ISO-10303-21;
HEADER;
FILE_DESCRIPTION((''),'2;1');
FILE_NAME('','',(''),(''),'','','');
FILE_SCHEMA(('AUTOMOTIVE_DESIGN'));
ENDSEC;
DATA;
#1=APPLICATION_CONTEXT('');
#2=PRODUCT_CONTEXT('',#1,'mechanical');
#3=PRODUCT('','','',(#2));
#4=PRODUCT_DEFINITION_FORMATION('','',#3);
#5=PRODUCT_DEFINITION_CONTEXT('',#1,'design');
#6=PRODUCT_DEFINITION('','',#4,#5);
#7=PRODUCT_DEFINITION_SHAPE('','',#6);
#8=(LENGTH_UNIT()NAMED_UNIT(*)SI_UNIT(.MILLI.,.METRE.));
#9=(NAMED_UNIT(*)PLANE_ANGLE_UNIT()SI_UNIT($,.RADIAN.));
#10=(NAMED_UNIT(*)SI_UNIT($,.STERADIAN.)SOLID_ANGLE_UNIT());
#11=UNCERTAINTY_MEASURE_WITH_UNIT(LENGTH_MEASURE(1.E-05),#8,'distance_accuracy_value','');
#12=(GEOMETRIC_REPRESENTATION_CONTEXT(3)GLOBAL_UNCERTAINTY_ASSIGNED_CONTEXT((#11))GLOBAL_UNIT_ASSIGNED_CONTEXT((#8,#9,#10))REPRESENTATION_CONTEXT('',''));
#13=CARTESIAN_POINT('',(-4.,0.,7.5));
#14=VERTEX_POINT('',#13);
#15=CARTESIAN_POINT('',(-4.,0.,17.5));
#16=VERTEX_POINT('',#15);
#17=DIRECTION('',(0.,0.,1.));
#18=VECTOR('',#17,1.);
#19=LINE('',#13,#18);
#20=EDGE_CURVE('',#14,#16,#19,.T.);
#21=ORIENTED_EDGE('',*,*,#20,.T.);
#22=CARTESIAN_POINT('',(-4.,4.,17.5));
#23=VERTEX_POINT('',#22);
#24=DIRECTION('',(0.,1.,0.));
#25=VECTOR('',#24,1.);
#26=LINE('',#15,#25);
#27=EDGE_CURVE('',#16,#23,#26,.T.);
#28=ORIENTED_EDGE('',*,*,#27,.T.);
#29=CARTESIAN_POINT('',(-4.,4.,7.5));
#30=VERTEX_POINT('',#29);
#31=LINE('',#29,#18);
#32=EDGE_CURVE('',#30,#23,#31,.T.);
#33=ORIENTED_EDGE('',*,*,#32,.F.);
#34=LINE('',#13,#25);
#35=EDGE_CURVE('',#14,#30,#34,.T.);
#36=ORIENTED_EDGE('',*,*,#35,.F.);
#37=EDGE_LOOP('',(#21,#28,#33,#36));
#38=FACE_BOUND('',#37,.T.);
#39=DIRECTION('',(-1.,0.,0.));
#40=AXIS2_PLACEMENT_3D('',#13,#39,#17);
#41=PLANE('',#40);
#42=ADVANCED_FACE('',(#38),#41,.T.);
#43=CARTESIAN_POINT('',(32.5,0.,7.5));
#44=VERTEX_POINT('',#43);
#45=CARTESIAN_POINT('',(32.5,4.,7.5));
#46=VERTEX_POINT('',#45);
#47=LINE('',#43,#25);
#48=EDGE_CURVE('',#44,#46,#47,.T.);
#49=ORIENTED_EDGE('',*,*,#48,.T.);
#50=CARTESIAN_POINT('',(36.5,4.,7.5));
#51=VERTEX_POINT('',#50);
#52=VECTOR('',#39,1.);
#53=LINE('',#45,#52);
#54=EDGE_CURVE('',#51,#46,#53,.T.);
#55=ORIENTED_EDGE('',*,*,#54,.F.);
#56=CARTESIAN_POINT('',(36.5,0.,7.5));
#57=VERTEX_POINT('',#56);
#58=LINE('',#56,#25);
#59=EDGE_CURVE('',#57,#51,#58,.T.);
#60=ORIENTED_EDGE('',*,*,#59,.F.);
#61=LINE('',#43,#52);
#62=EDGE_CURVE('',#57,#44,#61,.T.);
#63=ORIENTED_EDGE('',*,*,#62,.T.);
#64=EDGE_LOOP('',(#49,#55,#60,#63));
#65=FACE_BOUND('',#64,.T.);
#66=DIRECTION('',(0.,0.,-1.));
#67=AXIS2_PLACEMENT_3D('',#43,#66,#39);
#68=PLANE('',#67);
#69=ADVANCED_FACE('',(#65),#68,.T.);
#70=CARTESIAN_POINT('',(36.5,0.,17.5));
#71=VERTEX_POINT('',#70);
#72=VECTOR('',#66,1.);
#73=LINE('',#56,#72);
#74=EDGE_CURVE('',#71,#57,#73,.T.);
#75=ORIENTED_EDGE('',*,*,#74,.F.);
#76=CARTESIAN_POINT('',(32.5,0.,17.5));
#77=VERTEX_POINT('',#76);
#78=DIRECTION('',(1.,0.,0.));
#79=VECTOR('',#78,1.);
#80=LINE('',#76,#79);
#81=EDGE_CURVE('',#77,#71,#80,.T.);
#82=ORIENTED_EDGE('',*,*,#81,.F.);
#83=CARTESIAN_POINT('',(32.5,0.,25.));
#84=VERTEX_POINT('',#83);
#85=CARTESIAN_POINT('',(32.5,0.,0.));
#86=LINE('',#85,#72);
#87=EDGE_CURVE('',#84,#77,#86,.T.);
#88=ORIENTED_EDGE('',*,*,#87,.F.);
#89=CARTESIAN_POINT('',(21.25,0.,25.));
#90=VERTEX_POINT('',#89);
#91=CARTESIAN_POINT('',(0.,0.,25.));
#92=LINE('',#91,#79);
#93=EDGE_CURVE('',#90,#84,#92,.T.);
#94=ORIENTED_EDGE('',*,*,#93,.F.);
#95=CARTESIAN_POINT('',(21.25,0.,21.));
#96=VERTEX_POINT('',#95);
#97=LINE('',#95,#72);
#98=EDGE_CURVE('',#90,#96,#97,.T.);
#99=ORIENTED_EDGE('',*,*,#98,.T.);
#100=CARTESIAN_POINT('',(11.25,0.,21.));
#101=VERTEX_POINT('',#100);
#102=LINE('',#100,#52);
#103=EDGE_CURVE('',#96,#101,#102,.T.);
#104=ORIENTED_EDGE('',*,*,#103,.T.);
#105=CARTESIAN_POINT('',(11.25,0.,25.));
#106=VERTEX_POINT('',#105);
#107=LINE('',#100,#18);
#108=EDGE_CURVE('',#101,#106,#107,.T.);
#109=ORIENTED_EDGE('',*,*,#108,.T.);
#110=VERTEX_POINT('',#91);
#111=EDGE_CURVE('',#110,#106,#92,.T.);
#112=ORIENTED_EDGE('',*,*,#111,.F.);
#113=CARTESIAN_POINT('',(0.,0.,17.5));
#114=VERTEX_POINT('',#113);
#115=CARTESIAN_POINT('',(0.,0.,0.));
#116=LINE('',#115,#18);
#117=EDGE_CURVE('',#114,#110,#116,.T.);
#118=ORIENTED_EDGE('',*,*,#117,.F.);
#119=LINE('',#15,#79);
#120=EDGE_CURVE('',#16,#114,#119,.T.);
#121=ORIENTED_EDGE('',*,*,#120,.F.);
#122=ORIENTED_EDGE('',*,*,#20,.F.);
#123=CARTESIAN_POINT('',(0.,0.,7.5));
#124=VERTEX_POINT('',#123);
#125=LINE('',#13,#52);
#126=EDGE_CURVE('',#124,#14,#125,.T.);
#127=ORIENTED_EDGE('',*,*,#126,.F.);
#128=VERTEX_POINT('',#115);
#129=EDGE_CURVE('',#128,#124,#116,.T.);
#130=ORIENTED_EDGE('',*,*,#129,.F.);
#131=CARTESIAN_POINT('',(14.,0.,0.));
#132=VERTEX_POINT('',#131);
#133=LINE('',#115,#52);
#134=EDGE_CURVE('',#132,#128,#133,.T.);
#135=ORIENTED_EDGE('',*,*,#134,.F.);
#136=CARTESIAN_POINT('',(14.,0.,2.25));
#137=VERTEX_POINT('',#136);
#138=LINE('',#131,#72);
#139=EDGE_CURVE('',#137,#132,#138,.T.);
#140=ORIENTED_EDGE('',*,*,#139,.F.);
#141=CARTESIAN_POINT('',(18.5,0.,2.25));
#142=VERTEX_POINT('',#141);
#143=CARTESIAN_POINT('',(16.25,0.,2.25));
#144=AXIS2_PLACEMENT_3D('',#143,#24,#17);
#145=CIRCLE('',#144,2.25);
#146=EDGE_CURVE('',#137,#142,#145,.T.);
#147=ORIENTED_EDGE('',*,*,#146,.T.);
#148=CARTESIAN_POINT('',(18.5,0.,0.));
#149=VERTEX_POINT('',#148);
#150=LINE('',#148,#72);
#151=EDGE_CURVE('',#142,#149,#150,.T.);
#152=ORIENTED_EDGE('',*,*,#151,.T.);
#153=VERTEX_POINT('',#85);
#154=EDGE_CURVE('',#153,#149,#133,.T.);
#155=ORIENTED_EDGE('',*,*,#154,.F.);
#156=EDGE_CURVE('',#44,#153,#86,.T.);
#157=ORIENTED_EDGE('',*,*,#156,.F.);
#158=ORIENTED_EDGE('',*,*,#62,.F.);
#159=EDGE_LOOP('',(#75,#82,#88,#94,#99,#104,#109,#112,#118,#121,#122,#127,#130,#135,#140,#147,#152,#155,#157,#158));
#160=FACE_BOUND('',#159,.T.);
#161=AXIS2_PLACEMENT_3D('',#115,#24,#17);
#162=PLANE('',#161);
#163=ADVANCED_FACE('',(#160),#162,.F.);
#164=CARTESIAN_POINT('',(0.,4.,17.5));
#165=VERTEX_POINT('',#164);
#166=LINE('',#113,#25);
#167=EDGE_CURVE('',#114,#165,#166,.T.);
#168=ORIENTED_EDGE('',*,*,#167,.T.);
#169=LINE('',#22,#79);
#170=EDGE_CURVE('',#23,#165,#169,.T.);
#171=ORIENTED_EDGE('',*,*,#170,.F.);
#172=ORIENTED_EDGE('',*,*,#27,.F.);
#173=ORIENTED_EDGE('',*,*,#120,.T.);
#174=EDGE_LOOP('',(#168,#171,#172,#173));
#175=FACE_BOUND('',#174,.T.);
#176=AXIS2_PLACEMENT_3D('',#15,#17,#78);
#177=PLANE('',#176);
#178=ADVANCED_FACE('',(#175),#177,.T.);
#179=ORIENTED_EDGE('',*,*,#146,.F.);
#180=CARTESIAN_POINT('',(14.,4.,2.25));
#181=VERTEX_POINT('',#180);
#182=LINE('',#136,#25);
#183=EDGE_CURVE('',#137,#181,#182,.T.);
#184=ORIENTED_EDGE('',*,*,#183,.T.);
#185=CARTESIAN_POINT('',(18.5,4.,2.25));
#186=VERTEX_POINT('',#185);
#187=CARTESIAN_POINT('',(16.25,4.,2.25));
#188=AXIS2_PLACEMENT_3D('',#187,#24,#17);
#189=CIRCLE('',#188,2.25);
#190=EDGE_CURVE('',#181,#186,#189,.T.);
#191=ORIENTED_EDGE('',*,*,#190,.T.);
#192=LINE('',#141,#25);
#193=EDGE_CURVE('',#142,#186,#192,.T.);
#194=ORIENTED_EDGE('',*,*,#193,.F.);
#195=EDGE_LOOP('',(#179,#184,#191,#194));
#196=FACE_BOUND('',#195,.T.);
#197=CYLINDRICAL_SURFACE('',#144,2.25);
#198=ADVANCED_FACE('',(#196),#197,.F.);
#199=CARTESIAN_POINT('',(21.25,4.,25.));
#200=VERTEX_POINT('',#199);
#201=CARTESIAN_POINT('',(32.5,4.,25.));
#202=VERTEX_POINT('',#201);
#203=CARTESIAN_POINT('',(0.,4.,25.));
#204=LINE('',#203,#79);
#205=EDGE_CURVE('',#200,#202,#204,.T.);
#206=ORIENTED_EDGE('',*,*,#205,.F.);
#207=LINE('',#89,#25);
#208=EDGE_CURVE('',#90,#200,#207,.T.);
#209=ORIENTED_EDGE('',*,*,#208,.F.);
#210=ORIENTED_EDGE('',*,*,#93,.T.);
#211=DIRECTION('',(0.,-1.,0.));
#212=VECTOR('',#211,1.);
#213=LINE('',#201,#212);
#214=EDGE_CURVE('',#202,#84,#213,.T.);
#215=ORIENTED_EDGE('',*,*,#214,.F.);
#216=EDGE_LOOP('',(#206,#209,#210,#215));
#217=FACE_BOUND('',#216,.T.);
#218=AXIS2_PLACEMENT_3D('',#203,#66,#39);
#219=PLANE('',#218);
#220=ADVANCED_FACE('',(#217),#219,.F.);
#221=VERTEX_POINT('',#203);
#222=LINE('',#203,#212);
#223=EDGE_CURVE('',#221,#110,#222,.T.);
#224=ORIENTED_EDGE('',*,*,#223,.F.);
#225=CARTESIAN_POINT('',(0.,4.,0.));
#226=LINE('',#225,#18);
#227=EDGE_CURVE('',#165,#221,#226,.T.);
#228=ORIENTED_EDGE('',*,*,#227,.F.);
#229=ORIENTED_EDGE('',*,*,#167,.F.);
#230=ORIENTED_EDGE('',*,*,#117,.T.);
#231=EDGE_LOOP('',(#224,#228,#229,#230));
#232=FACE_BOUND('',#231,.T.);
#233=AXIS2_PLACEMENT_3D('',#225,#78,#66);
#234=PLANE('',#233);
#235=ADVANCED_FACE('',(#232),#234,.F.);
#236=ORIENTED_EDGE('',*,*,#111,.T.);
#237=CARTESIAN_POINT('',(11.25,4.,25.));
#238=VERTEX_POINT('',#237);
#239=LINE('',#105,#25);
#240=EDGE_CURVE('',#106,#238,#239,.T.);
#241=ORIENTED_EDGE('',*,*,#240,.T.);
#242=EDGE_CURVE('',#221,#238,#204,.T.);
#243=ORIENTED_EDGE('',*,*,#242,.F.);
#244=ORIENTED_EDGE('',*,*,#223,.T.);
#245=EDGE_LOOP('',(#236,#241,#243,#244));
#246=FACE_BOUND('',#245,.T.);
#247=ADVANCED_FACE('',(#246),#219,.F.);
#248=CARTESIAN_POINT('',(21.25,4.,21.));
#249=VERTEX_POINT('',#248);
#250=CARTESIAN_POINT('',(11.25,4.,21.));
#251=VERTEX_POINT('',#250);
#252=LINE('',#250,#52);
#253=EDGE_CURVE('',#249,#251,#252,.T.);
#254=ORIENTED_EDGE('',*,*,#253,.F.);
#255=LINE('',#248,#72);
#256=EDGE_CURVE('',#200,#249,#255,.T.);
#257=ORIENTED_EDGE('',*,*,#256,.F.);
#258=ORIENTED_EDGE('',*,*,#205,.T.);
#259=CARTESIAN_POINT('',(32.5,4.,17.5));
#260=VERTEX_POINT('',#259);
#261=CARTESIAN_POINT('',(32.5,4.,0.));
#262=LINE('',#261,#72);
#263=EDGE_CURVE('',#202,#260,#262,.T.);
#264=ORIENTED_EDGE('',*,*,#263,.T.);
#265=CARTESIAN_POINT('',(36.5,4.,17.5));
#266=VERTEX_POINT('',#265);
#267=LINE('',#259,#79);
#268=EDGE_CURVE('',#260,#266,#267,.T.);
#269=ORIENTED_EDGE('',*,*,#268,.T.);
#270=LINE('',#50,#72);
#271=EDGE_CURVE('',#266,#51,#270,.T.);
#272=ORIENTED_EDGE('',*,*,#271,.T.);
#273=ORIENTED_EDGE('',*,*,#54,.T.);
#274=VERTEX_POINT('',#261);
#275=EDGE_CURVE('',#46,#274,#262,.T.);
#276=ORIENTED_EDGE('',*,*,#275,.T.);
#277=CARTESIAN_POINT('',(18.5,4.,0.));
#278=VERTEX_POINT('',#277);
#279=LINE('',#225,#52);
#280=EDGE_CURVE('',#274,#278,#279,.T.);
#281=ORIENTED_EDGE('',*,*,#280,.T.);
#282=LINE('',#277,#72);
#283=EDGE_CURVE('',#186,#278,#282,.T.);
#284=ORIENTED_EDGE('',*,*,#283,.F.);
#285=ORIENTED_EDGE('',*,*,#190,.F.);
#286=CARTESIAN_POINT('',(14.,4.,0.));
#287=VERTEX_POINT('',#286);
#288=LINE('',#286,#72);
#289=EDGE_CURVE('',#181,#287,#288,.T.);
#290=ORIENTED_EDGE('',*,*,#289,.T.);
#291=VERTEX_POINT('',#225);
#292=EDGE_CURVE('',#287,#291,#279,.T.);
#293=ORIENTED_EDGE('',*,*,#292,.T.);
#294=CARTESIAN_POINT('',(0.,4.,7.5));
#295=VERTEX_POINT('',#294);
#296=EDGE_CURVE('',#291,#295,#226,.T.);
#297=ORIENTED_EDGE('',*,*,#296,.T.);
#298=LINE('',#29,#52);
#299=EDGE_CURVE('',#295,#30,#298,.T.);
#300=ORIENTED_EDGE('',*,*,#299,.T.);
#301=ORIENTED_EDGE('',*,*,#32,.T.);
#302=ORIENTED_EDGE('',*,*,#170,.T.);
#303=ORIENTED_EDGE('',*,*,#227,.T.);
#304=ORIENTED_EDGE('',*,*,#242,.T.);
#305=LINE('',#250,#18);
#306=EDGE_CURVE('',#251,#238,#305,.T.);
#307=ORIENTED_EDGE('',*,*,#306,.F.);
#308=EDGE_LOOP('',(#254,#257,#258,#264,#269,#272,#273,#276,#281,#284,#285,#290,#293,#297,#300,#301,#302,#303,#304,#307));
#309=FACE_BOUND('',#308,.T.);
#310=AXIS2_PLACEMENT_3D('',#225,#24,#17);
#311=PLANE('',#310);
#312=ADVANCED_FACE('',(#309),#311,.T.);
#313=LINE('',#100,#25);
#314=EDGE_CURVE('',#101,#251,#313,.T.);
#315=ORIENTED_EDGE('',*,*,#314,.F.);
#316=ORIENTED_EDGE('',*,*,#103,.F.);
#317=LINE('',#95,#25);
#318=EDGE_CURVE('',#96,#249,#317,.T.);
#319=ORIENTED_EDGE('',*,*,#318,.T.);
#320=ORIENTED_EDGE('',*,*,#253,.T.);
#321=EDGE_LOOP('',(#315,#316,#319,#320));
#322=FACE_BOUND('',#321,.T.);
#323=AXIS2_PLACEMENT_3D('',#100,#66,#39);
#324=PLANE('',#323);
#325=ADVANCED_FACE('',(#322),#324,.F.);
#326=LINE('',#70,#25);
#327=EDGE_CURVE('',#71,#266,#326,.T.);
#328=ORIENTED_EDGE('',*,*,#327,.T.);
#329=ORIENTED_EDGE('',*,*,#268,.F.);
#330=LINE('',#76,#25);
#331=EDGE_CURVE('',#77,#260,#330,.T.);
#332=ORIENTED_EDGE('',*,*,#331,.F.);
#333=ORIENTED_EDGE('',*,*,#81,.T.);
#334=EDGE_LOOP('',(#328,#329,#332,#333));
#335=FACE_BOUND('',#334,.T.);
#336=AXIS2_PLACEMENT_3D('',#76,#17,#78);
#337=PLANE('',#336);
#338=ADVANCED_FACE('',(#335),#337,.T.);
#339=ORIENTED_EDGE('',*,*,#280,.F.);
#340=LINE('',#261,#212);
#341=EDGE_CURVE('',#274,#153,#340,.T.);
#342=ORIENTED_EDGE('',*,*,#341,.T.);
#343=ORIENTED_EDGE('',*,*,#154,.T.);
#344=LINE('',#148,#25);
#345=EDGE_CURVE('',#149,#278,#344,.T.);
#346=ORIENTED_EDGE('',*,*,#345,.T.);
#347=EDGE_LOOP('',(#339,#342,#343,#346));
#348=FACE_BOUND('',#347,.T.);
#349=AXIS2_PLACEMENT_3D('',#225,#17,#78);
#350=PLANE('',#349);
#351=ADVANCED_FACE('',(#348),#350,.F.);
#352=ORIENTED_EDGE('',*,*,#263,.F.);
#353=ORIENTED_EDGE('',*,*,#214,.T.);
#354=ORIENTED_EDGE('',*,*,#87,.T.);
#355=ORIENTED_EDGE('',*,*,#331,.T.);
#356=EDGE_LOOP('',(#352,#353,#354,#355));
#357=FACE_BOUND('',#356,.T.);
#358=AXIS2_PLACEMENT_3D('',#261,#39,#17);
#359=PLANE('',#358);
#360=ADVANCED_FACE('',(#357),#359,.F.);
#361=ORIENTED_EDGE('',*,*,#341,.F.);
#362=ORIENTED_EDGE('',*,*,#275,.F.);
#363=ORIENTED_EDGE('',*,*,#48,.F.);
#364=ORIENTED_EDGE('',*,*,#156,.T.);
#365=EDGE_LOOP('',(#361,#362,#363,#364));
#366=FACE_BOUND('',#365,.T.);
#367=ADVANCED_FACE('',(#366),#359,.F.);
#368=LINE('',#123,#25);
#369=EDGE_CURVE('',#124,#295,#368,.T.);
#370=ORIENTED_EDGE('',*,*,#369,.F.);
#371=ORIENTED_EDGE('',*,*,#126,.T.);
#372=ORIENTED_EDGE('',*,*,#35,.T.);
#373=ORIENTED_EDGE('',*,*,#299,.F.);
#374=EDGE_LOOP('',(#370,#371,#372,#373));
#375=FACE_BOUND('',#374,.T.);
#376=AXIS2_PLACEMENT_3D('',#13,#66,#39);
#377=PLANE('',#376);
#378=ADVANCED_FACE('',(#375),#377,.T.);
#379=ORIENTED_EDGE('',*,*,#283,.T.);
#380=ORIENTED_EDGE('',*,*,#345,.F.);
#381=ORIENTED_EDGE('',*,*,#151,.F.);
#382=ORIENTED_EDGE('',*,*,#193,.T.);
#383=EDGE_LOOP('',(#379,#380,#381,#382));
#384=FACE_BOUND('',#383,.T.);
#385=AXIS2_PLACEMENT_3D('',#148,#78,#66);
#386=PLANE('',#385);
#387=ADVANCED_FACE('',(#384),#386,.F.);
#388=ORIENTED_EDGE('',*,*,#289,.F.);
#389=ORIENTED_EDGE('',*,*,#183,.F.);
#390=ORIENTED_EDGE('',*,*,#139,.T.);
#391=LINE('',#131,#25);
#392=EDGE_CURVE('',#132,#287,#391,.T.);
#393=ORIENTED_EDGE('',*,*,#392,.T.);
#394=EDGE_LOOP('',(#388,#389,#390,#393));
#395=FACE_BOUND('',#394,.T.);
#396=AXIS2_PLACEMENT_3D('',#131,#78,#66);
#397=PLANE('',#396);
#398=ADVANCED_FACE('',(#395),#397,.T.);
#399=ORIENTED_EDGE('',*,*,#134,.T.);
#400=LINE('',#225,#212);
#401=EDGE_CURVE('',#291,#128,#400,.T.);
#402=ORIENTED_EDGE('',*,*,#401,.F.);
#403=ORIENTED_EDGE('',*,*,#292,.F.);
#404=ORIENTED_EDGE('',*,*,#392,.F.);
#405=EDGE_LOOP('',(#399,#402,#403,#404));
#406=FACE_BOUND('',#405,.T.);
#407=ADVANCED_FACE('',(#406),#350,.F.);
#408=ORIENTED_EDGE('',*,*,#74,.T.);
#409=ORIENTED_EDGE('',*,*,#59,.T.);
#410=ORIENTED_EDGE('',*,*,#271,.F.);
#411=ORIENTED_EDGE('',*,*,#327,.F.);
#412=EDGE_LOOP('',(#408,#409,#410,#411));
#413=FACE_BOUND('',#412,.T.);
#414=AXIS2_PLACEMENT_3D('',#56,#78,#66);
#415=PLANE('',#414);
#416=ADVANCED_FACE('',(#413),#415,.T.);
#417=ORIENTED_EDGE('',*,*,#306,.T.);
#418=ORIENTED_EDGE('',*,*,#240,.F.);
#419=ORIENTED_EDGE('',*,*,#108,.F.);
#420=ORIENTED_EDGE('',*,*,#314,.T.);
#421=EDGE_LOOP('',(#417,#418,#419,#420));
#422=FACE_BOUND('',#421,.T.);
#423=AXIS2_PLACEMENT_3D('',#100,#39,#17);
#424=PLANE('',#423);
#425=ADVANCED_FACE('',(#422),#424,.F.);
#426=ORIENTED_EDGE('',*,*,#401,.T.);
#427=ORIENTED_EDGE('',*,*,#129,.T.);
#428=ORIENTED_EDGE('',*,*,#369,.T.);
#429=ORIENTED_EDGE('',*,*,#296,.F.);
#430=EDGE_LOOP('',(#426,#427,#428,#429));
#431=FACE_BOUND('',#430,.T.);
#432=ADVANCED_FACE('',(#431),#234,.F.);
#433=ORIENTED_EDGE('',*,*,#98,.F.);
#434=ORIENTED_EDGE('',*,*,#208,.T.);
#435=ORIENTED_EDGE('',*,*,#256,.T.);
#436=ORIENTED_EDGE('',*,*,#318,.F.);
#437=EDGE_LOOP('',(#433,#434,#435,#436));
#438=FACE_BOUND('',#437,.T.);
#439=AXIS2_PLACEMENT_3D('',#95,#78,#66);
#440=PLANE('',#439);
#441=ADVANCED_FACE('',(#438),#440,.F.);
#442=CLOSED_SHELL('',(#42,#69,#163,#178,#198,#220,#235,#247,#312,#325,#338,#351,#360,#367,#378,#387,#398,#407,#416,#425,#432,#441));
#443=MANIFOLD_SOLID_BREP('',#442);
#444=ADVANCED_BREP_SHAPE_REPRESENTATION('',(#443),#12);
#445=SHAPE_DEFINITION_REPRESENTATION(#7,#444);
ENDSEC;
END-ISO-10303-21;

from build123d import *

# Parameters (mm, degrees)
SKETCH1_W           = 32.5
SKETCH1_H           = 25
BOSS_EXTRUDE1_DEPTH = 4
SKETCH2_R           = 2.25
SKETCH2_W           = 4.5
SKETCH2_H           = 2.25
CUT_EXTRUDE5_DEPTH  = 5
SKETCH3_W           = 4
SKETCH3_H           = 10
BOSS_EXTRUDE2_DEPTH = 4
SKETCH4_W           = 10
SKETCH4_H           = 4
CUT_EXTRUDE6_DEPTH  = 5


with BuildPart() as part:
    # Sketch1 → Boss-Extrude1 (new body)
    with BuildSketch(Plane(origin=(0, 0, 0), x_dir=(1, 0, 0), z_dir=(0, 1, 0))):
        with Locations((16.25, -12.5)):
            Rectangle(SKETCH1_W, SKETCH1_H)
    extrude(amount=BOSS_EXTRUDE1_DEPTH)

    # Sketch2 → Cut-Extrude5 (cut, through all)
    with BuildSketch(Plane(origin=(0, 4, 0), x_dir=(1, 0, 0), z_dir=(0, 1, 0))):
        with Locations((16.25, -2.25)):
            Circle(SKETCH2_R)
        with Locations((16.25, -1.125)):
            Rectangle(SKETCH2_W, SKETCH2_H)
    extrude(amount=-CUT_EXTRUDE5_DEPTH, mode=Mode.SUBTRACT)

    # Sketch3 → Boss-Extrude2 (add, through all)
    with BuildSketch(Plane(origin=(0, 4, 0), x_dir=(1, 0, 0), z_dir=(0, 1, 0))):
        with Locations((-2, -12.5)):
            Rectangle(SKETCH3_W, SKETCH3_H)
        with Locations((34.5, -12.5)):
            Rectangle(SKETCH3_W, SKETCH3_H)
    extrude(amount=-BOSS_EXTRUDE2_DEPTH)

    # Sketch4 → Cut-Extrude6 (cut, through all)
    with BuildSketch(Plane(origin=(0, 4, 0), x_dir=(1, 0, 0), z_dir=(0, 1, 0))):
        with Locations((16.25, -23)):
            Rectangle(SKETCH4_W, SKETCH4_H)
    extrude(amount=-CUT_EXTRUDE6_DEPTH, mode=Mode.SUBTRACT)


solid = part.part
